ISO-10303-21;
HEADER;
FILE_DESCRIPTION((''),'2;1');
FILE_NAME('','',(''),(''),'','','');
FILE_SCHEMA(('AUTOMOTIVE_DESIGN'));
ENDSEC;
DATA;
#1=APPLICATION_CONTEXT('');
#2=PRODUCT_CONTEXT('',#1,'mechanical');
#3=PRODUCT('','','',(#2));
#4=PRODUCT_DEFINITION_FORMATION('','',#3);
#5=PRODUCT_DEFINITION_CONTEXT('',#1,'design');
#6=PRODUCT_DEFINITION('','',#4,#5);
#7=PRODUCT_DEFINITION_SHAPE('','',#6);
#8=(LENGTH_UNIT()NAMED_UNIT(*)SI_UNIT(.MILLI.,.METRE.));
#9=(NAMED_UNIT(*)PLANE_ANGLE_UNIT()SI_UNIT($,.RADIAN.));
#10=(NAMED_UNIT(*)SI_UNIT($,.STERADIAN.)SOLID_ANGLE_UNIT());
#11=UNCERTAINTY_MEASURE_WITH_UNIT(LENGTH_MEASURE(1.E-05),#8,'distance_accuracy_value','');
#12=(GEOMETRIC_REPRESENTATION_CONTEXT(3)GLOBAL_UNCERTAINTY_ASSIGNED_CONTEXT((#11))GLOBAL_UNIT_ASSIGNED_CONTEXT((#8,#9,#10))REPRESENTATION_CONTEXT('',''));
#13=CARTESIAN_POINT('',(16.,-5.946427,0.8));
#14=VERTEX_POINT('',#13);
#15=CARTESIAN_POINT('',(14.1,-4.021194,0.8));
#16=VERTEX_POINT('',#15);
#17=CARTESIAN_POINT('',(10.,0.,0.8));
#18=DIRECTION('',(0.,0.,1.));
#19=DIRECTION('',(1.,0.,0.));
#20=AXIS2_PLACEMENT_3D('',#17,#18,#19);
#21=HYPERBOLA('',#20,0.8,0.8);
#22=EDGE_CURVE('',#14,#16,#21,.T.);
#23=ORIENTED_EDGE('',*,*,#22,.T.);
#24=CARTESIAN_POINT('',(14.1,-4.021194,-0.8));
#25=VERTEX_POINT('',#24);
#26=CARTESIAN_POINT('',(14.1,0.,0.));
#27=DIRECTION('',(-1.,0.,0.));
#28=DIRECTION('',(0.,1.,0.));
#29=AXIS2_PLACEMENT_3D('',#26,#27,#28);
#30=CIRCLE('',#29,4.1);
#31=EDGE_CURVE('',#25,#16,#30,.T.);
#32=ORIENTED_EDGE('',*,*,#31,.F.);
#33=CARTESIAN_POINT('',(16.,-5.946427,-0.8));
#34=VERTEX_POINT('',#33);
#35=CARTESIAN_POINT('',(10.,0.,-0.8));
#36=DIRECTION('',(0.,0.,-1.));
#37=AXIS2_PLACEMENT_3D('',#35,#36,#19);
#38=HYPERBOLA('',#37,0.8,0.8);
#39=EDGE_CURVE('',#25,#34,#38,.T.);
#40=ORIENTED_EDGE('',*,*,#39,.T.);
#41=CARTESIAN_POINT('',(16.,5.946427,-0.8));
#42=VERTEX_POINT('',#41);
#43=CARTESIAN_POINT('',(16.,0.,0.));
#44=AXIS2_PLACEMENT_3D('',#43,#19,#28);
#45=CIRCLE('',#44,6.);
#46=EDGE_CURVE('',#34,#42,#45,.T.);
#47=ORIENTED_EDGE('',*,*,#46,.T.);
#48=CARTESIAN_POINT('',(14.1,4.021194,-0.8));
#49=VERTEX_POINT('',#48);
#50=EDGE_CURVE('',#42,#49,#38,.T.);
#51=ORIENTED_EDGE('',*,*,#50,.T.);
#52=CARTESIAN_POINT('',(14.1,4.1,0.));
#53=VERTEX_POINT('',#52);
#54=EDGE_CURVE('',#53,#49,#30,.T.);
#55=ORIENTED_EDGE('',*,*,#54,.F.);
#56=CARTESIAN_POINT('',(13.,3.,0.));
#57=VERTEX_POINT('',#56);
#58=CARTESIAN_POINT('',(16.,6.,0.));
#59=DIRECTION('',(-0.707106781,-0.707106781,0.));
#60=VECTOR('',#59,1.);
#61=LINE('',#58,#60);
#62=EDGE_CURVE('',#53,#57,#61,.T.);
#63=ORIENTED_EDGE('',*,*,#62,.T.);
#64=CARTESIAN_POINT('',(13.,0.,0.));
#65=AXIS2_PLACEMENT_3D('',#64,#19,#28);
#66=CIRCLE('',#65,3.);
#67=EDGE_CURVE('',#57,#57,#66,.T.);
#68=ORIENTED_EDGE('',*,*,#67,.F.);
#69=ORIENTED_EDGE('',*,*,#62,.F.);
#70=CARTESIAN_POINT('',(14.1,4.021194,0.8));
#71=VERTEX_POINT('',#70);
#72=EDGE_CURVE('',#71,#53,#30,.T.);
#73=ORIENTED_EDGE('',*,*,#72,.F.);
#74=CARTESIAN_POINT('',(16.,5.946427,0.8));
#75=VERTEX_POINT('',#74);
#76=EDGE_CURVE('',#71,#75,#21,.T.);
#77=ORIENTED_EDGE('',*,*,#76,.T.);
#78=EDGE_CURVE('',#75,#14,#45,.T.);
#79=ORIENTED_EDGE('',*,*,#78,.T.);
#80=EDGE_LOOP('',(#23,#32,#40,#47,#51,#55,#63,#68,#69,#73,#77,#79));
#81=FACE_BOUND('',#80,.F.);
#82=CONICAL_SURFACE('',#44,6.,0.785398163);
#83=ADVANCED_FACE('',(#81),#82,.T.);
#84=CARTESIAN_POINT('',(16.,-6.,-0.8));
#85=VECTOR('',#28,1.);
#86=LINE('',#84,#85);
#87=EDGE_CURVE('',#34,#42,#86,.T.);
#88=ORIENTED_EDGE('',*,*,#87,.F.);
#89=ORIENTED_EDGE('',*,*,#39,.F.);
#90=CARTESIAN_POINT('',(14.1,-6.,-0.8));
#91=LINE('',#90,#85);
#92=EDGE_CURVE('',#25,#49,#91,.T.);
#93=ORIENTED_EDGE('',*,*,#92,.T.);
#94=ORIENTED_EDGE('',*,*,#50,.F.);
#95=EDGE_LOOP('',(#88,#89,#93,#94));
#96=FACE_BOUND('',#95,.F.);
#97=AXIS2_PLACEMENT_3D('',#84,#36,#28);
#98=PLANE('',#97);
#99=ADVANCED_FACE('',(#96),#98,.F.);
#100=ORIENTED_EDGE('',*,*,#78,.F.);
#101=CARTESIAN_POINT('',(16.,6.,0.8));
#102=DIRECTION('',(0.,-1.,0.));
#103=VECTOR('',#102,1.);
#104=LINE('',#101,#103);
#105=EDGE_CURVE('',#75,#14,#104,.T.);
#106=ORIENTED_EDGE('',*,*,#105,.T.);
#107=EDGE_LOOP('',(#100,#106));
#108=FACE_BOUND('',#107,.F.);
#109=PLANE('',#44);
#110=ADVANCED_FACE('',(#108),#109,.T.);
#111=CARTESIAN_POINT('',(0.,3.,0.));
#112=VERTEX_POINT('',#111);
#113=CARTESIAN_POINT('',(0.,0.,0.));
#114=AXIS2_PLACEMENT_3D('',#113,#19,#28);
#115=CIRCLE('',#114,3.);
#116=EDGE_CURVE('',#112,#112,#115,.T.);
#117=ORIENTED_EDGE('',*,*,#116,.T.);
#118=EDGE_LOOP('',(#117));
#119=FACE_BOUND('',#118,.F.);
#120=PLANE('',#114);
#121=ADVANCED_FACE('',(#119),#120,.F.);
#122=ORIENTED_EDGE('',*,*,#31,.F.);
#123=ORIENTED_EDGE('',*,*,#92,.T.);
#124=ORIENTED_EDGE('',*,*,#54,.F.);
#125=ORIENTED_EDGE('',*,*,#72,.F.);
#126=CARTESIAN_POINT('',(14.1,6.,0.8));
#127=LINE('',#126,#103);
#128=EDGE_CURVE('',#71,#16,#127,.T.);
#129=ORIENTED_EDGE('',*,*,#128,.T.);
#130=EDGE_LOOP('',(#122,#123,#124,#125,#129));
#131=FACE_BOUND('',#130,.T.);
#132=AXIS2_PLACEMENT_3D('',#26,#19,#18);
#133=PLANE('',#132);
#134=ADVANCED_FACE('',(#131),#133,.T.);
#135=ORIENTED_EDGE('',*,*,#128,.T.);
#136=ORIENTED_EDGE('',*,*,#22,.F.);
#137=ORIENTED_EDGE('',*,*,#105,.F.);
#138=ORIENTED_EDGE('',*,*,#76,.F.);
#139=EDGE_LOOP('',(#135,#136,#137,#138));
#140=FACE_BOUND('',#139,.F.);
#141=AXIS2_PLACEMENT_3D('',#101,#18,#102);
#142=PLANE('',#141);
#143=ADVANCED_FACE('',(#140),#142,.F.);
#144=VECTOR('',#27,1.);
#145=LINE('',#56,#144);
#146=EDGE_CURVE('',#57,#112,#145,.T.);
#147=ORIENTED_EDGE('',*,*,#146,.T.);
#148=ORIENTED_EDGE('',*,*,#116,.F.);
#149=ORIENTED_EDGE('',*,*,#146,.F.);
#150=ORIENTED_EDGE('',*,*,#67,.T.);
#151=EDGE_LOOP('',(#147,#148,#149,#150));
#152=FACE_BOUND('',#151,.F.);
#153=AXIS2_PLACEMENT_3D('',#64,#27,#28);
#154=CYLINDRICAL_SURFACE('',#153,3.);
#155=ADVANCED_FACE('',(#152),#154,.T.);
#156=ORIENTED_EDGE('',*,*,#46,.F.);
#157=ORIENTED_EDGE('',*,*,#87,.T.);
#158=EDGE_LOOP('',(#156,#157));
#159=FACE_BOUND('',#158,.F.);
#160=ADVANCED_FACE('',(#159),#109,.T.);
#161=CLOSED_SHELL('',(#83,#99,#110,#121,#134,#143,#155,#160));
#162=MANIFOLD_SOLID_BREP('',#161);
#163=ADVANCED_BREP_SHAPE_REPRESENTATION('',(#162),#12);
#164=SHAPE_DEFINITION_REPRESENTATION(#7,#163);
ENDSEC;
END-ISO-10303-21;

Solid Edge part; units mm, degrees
sketch "Sketch1" plane through (0, 0, 0) normal (0, 0, 1) x (1, 0, 0)
  line L0 (16, 0) -> (16, 6)
  line L1 (16, 6) -> (13, 3)
  line L2 (13, 3) -> (0, 3)
  line L3 (0, 3) -> (0, 0)
  line L4 (0, 0) -> (16, 0)
revolve "RevolvedProtrusion1" add sketch "Sketch1" angle 360 about axis through (0, 0, 0) along (1, 0, 0)
cosmetic_thread "Thread1" size "M6"
sketch "Sketch2" plane through (16, 0, 0) normal (1, 0, 0) x (0, 1, 0)
  line L0 (6, 0.8) -> (-6, 0.8)
  line L1 (-6, 0.8) -> (-6, -0.8)
  line L2 (-6, -0.8) -> (6, -0.8)
  line L3 (6, -0.8) -> (6, 0.8)
extrude "Cutout1" cut sketch "Sketch2" against normal blind 1.9
